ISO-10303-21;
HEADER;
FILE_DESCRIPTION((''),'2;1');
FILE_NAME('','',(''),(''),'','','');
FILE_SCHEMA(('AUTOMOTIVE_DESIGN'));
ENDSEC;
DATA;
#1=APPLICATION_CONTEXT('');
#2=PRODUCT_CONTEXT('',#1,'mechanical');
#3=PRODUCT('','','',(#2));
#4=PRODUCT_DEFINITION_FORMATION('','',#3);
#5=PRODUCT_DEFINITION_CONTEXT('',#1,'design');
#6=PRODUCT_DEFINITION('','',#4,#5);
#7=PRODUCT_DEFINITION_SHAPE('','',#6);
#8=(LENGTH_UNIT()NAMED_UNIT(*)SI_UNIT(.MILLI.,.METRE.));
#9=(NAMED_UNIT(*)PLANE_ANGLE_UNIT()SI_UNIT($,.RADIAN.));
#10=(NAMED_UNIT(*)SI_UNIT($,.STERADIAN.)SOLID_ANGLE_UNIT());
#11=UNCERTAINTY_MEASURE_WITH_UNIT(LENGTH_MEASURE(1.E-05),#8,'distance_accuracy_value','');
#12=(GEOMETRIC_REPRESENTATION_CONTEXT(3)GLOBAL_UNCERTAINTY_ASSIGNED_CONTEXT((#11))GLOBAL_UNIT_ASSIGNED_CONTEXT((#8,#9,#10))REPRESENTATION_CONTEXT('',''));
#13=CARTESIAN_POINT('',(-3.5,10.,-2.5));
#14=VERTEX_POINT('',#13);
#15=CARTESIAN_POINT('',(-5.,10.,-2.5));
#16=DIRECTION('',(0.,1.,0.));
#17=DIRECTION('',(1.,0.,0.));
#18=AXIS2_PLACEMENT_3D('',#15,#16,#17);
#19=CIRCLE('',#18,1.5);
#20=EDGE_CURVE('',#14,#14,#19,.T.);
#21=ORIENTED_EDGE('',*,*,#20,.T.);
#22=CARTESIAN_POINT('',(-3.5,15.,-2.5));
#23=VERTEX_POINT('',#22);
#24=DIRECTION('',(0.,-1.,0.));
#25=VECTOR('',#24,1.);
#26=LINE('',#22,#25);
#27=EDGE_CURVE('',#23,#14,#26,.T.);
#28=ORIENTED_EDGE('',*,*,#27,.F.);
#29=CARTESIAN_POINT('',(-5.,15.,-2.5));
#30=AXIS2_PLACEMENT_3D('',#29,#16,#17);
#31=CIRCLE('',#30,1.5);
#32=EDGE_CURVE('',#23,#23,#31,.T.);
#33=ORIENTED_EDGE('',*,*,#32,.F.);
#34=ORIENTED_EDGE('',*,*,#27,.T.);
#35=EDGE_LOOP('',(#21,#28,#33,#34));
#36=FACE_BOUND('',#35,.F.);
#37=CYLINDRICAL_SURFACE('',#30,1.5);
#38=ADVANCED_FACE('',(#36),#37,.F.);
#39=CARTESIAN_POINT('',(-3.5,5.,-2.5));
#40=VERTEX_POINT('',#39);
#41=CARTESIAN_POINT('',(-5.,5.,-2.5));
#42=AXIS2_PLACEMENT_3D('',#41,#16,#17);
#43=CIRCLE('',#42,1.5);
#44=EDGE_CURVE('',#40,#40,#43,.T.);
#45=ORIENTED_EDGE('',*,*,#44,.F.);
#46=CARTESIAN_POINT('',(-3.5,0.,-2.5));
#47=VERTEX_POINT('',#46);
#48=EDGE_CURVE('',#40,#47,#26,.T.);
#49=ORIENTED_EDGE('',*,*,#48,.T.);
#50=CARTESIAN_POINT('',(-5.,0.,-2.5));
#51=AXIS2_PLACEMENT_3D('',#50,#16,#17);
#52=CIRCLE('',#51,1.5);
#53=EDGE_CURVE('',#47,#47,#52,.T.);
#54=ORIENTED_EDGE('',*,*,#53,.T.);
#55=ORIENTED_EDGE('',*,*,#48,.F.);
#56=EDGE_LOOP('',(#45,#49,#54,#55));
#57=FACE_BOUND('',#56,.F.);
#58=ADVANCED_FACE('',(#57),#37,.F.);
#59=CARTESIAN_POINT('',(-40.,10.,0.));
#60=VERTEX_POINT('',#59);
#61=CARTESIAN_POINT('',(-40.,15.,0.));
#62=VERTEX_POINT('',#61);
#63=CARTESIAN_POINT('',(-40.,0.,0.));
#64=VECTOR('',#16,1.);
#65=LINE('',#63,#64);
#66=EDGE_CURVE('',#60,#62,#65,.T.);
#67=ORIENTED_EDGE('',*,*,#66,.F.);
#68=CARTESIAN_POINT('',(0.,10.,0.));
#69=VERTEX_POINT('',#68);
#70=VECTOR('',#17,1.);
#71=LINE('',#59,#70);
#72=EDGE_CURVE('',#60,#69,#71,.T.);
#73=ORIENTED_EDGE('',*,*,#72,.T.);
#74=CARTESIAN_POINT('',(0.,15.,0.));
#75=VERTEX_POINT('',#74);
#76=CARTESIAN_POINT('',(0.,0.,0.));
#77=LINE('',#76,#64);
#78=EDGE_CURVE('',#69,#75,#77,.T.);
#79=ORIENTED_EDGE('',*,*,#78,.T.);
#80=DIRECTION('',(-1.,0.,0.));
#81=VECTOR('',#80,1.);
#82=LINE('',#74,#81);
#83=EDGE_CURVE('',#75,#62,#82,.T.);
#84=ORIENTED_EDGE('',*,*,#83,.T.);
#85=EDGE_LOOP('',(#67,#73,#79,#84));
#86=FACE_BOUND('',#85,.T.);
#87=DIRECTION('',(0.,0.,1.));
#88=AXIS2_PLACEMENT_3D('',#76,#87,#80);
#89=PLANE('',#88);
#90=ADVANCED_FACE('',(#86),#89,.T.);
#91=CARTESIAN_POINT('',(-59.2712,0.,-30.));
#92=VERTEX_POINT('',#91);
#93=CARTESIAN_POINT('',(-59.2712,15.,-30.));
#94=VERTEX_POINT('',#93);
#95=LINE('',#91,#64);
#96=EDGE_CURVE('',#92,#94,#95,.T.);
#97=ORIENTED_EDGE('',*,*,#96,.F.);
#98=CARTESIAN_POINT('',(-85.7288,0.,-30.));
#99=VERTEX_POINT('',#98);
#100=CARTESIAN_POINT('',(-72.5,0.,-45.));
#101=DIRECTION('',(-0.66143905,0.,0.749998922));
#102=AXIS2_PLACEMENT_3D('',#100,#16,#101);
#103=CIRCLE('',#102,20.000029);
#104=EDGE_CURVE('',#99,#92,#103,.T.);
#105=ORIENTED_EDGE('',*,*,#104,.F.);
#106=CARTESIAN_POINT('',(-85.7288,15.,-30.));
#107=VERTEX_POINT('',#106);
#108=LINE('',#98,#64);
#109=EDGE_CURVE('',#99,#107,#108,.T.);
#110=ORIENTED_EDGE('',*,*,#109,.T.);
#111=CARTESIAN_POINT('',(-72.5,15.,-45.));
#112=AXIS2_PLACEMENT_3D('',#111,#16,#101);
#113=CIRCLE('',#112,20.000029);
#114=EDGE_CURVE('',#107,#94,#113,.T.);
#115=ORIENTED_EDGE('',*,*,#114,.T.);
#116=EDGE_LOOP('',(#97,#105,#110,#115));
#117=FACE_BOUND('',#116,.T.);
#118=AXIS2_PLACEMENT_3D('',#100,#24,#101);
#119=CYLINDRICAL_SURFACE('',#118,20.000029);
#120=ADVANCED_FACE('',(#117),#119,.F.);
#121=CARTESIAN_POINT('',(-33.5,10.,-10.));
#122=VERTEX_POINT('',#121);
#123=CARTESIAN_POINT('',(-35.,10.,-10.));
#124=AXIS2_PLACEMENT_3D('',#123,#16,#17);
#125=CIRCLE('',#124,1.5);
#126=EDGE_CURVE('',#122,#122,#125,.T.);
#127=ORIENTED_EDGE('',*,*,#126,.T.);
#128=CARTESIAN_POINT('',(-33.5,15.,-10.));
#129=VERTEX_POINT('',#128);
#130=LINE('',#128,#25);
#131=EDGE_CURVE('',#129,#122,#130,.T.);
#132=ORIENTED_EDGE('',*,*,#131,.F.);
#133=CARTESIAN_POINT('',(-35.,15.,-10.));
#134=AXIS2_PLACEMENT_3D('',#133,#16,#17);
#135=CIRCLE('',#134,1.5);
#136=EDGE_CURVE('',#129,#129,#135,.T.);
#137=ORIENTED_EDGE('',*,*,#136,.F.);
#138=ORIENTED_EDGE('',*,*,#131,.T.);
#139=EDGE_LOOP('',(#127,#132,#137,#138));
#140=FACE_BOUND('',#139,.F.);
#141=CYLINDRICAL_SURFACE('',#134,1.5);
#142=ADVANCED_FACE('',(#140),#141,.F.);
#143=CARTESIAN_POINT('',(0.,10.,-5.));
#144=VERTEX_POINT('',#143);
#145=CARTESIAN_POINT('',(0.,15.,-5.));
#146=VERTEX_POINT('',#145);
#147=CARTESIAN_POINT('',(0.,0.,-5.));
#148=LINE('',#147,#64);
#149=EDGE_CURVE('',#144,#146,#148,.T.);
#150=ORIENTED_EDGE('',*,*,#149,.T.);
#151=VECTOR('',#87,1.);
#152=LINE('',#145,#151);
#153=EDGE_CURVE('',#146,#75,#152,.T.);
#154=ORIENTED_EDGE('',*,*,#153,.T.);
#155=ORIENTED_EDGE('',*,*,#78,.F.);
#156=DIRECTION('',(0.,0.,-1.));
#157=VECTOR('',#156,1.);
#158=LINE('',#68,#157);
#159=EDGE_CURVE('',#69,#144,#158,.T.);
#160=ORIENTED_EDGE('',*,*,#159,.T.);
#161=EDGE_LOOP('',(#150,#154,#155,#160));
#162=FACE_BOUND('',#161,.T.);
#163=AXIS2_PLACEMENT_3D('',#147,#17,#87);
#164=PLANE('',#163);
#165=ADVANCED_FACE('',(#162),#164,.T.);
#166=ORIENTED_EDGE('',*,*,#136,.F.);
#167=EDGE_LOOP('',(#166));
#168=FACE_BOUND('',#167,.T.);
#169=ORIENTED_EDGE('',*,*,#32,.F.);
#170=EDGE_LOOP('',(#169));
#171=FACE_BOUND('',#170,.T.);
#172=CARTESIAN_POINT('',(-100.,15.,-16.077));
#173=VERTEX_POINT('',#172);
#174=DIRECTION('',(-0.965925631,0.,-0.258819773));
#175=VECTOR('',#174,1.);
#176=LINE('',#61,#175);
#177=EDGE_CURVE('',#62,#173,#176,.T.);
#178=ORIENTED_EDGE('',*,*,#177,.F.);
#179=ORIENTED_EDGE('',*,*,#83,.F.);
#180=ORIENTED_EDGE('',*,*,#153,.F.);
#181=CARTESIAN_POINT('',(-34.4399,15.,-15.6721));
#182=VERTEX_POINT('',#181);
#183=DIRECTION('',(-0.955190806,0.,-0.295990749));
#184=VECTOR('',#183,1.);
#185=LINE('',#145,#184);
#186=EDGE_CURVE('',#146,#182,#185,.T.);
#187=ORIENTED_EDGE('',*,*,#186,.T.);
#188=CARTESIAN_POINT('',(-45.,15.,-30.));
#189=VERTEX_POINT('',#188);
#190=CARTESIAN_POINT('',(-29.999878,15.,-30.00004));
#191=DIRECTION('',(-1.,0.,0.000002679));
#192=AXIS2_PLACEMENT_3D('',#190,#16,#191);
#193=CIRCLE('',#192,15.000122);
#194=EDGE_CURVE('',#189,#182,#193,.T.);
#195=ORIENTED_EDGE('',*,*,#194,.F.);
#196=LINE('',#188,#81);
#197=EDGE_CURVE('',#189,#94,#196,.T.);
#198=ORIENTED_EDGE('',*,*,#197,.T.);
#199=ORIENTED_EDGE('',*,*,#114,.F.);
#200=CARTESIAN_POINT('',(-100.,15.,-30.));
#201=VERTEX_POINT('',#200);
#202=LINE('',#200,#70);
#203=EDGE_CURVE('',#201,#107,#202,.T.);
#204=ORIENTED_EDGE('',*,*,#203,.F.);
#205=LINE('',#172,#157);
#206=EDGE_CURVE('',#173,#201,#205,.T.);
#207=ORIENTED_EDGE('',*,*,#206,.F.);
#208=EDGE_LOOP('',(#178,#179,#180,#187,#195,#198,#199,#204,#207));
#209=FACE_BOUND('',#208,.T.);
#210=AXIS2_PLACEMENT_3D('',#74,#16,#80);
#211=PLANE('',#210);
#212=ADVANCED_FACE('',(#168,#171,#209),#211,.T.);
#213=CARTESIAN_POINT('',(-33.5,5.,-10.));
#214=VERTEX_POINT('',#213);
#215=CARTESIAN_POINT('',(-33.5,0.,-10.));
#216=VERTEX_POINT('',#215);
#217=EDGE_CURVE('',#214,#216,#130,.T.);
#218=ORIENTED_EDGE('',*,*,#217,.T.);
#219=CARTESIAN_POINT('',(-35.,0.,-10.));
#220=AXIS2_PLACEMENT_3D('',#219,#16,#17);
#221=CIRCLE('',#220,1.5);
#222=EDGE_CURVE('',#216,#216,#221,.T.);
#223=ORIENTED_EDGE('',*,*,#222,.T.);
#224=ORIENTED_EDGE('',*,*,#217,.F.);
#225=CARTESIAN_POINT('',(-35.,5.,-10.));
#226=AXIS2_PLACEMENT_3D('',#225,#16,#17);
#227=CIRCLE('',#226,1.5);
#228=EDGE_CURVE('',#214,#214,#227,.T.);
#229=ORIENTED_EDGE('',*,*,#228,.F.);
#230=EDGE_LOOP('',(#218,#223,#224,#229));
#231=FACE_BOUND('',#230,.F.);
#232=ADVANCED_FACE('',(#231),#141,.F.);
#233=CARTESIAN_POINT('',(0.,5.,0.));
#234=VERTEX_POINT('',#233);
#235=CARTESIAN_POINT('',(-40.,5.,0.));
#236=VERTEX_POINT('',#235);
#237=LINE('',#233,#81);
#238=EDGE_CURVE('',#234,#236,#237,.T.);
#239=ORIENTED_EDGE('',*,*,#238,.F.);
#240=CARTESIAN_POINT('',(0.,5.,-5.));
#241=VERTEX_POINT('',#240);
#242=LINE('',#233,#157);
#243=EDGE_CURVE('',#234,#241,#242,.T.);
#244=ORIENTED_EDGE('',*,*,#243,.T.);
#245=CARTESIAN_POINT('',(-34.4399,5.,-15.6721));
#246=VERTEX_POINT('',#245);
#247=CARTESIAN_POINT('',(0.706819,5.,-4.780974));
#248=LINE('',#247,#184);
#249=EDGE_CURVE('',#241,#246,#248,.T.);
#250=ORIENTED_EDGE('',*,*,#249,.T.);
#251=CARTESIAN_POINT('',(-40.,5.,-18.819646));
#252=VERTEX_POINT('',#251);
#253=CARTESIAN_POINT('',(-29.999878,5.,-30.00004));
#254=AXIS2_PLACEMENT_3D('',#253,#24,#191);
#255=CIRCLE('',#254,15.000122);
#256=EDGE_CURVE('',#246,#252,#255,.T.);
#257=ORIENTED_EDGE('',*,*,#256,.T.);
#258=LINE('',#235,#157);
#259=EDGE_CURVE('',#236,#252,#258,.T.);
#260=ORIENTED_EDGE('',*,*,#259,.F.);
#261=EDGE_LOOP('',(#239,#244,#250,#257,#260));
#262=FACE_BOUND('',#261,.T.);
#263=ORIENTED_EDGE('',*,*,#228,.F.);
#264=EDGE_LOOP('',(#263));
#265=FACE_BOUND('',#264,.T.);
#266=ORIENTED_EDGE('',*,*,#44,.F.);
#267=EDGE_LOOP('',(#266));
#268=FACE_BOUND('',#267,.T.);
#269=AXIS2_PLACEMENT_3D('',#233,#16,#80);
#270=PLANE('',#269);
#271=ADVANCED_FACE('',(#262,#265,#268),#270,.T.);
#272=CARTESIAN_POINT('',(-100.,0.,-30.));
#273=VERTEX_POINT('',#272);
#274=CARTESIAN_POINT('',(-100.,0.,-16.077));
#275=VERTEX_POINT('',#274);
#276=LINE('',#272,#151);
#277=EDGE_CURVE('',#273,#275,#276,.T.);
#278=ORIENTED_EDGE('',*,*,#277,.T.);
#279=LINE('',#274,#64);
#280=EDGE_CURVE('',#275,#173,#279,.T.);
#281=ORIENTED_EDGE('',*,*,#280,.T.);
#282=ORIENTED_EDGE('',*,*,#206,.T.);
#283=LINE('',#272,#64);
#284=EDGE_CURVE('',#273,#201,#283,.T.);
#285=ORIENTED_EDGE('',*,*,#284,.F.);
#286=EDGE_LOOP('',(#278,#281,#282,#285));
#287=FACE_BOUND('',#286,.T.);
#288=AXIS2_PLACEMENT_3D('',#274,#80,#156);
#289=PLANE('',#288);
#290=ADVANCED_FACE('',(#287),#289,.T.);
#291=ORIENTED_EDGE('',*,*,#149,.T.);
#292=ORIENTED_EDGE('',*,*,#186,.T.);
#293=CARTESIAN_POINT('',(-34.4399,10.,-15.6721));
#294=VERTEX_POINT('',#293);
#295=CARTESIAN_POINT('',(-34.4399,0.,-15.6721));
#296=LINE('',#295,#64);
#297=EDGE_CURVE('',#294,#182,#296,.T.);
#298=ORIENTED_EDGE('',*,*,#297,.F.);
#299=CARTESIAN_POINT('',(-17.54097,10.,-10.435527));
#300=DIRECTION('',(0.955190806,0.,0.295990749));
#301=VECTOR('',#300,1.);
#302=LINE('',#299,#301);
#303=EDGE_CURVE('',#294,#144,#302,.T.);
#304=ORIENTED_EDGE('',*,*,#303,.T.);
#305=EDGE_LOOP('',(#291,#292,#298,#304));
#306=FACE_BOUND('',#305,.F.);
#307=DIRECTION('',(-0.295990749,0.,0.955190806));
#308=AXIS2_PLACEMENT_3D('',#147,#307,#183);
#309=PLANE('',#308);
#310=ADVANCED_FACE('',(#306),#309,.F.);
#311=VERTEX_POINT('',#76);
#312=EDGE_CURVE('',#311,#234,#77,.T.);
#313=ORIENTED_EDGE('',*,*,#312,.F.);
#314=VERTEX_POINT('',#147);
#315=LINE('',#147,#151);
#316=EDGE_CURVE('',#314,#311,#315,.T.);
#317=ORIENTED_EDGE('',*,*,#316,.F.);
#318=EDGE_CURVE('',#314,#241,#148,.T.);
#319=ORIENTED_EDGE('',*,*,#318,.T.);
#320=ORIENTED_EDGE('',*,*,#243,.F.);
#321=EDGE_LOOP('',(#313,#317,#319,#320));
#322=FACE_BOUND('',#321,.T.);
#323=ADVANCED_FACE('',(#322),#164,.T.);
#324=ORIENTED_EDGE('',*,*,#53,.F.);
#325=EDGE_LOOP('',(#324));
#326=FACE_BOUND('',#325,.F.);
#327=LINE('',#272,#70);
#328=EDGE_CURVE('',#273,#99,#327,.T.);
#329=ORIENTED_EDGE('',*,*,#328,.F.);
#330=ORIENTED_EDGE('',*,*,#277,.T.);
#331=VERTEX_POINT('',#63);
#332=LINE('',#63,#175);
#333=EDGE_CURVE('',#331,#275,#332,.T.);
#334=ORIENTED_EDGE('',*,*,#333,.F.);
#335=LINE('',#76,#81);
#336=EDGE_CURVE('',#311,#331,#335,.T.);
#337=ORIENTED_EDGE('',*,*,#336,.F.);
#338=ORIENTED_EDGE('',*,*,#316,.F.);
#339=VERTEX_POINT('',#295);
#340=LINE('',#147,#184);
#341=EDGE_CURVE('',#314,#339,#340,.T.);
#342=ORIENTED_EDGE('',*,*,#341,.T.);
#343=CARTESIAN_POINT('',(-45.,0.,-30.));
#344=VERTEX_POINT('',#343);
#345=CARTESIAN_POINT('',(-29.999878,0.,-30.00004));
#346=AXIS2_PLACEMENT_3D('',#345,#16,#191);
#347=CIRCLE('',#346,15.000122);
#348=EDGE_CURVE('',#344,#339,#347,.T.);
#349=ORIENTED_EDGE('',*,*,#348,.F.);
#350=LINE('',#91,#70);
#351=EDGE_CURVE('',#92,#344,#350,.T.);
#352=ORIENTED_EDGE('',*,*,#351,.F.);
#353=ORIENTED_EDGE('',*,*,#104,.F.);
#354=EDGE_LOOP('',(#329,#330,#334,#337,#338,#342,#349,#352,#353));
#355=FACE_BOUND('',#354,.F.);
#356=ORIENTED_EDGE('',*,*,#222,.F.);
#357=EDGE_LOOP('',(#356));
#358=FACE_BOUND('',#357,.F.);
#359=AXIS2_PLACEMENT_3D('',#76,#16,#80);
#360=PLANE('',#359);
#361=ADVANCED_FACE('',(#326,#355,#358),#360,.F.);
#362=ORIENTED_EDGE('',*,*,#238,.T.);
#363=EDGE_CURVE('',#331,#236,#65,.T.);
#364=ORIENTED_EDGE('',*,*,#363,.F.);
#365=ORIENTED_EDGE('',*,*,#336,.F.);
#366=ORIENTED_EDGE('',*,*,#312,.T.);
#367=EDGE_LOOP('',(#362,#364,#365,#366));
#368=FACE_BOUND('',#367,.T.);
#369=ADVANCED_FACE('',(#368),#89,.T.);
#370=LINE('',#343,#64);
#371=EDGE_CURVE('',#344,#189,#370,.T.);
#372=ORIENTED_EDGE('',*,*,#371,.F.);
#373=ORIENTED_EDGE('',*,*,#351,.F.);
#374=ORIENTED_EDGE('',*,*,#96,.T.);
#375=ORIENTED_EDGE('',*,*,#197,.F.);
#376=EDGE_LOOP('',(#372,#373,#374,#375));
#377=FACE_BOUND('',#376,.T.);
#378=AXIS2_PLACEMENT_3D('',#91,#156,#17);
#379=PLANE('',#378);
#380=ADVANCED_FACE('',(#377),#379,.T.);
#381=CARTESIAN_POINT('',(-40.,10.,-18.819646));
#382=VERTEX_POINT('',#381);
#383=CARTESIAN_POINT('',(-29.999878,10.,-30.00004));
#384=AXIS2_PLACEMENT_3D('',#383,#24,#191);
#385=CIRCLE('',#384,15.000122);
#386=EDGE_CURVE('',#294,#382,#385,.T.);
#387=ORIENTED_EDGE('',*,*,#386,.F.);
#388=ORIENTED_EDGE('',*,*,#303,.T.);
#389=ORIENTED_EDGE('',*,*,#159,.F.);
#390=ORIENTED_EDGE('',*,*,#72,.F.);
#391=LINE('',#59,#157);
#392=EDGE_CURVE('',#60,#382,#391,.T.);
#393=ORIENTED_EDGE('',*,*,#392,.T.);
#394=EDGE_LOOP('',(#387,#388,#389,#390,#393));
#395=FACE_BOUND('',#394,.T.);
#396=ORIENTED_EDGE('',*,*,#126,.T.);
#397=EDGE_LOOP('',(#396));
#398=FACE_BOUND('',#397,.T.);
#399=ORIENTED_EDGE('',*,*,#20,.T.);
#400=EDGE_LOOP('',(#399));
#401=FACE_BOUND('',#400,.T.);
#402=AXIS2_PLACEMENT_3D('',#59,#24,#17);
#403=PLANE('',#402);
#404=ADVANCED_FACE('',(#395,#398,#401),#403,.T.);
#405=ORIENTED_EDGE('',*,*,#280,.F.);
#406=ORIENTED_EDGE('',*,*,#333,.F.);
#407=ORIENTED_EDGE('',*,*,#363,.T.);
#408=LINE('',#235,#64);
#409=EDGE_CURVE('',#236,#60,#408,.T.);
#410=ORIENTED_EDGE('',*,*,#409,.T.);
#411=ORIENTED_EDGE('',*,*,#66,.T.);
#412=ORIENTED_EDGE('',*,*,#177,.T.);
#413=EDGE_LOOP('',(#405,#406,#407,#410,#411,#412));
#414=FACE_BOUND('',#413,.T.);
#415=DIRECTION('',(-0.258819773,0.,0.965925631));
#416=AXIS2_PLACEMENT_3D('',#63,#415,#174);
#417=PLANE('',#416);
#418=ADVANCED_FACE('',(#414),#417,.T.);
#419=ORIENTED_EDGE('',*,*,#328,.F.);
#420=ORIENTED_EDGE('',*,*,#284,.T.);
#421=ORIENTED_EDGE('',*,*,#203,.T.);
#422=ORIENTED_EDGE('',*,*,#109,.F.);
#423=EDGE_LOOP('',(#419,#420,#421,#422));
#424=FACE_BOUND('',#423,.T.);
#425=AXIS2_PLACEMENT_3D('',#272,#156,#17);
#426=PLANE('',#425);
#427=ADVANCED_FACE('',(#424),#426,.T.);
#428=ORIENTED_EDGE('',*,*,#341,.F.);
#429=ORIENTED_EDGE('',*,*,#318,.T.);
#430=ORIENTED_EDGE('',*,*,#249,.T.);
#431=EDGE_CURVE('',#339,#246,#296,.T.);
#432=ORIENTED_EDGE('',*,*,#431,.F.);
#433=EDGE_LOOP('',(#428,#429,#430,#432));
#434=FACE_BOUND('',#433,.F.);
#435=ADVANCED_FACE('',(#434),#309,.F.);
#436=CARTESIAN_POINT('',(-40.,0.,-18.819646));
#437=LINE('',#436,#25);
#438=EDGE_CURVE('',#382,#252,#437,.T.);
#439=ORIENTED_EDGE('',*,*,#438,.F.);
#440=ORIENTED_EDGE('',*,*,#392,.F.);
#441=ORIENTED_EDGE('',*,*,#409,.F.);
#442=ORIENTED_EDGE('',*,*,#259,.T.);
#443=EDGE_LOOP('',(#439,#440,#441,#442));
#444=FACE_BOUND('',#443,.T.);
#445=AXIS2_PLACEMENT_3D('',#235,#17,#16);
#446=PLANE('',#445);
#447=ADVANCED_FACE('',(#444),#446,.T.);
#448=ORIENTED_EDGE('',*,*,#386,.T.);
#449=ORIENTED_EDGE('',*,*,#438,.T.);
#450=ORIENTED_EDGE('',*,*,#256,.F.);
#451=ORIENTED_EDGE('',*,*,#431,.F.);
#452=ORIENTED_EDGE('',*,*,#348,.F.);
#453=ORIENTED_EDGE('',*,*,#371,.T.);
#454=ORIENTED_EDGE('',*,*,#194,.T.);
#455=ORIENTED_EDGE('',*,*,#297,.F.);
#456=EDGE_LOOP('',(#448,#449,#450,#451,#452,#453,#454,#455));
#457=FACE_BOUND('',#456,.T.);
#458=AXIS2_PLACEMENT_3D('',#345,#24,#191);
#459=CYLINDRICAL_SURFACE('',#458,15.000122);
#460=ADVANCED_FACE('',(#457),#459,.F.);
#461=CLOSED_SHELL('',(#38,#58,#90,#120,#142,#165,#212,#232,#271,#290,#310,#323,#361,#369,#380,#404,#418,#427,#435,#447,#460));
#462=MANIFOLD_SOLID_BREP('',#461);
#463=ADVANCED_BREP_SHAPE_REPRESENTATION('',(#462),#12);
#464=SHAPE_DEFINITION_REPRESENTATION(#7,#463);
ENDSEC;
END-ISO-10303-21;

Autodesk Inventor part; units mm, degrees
ref_plane "YZ Plane" through (0, 0, 0) normal (1, 0, 0) x (0, 1, 0)
ref_plane "XZ Plane" through (0, 0, 0) normal (0, 1, 0) x (-1, 0, 0)
ref_plane "XY Plane" through (0, 0, 0) normal (0, 0, 1) x (1, 0, 0)
sketch "Sketch1" plane through (0, 0, 0) normal (0, 1, 0) x (-1, 0, 0)
  line L0 (100, -16.077) -> (100, -30)
  line L1 (0, -5) -> (0, 0)
  line L2 (0, 0) -> (40, 0)
  line L3 (40, 0) -> (100, -16.077)
  line L4 (100, -16.077) -> (100, -26.077)
  line L5 (45, -30) -> (55, -30)
  arc A0 (45, -30) -> (34.4399, -15.6721) centre (30, -30) ccw
  line L6 (0, -5) -> (34.4399, -15.6721)
  arc A1 (85.7288, -30) -> (59.2712, -30) centre (72.5, -45) ccw
  line L7 (100, -30) -> (85.7288, -30)
  line L8 (59.2712, -30) -> (45, -30)
extrude "Extrusion1" add sketch "Sketch1" along normal blind 15
sketch "Sketch2" plane through (0, 15, 0) normal (0, 1, 0) x (1, 0, 0)
  line L0 (0, 0) -> (0, 5) projected
  circle A0 centre (-5, 2.5) radius 1.5
  circle A1 centre (-35, 10) radius 1.5
  dimension "d14" = 3
  dimension "d17" = 3
extrude "Extrusion2" cut sketch "Sketch2" against normal blind 15
sketch "Sketch3" plane through (-40, 0, 0) normal (0, 0, 1) x (1, 0, 0)
  line L0 (40, 0) -> (40, 15) projected
  line L1 (40, 5) -> (0, 5)
  line L2 (0, 5) -> (0, 10)
  line L3 (0, 10) -> (40, 10)
  line L4 (40, 10) -> (40, 5)
  dimension "d20" = 5
  dimension "d21" = 40
  dimension "d22" = 5
extrude "Extrusion3" cut sketch "Sketch3" against normal blind 44.75
properties part number "gripper3"
